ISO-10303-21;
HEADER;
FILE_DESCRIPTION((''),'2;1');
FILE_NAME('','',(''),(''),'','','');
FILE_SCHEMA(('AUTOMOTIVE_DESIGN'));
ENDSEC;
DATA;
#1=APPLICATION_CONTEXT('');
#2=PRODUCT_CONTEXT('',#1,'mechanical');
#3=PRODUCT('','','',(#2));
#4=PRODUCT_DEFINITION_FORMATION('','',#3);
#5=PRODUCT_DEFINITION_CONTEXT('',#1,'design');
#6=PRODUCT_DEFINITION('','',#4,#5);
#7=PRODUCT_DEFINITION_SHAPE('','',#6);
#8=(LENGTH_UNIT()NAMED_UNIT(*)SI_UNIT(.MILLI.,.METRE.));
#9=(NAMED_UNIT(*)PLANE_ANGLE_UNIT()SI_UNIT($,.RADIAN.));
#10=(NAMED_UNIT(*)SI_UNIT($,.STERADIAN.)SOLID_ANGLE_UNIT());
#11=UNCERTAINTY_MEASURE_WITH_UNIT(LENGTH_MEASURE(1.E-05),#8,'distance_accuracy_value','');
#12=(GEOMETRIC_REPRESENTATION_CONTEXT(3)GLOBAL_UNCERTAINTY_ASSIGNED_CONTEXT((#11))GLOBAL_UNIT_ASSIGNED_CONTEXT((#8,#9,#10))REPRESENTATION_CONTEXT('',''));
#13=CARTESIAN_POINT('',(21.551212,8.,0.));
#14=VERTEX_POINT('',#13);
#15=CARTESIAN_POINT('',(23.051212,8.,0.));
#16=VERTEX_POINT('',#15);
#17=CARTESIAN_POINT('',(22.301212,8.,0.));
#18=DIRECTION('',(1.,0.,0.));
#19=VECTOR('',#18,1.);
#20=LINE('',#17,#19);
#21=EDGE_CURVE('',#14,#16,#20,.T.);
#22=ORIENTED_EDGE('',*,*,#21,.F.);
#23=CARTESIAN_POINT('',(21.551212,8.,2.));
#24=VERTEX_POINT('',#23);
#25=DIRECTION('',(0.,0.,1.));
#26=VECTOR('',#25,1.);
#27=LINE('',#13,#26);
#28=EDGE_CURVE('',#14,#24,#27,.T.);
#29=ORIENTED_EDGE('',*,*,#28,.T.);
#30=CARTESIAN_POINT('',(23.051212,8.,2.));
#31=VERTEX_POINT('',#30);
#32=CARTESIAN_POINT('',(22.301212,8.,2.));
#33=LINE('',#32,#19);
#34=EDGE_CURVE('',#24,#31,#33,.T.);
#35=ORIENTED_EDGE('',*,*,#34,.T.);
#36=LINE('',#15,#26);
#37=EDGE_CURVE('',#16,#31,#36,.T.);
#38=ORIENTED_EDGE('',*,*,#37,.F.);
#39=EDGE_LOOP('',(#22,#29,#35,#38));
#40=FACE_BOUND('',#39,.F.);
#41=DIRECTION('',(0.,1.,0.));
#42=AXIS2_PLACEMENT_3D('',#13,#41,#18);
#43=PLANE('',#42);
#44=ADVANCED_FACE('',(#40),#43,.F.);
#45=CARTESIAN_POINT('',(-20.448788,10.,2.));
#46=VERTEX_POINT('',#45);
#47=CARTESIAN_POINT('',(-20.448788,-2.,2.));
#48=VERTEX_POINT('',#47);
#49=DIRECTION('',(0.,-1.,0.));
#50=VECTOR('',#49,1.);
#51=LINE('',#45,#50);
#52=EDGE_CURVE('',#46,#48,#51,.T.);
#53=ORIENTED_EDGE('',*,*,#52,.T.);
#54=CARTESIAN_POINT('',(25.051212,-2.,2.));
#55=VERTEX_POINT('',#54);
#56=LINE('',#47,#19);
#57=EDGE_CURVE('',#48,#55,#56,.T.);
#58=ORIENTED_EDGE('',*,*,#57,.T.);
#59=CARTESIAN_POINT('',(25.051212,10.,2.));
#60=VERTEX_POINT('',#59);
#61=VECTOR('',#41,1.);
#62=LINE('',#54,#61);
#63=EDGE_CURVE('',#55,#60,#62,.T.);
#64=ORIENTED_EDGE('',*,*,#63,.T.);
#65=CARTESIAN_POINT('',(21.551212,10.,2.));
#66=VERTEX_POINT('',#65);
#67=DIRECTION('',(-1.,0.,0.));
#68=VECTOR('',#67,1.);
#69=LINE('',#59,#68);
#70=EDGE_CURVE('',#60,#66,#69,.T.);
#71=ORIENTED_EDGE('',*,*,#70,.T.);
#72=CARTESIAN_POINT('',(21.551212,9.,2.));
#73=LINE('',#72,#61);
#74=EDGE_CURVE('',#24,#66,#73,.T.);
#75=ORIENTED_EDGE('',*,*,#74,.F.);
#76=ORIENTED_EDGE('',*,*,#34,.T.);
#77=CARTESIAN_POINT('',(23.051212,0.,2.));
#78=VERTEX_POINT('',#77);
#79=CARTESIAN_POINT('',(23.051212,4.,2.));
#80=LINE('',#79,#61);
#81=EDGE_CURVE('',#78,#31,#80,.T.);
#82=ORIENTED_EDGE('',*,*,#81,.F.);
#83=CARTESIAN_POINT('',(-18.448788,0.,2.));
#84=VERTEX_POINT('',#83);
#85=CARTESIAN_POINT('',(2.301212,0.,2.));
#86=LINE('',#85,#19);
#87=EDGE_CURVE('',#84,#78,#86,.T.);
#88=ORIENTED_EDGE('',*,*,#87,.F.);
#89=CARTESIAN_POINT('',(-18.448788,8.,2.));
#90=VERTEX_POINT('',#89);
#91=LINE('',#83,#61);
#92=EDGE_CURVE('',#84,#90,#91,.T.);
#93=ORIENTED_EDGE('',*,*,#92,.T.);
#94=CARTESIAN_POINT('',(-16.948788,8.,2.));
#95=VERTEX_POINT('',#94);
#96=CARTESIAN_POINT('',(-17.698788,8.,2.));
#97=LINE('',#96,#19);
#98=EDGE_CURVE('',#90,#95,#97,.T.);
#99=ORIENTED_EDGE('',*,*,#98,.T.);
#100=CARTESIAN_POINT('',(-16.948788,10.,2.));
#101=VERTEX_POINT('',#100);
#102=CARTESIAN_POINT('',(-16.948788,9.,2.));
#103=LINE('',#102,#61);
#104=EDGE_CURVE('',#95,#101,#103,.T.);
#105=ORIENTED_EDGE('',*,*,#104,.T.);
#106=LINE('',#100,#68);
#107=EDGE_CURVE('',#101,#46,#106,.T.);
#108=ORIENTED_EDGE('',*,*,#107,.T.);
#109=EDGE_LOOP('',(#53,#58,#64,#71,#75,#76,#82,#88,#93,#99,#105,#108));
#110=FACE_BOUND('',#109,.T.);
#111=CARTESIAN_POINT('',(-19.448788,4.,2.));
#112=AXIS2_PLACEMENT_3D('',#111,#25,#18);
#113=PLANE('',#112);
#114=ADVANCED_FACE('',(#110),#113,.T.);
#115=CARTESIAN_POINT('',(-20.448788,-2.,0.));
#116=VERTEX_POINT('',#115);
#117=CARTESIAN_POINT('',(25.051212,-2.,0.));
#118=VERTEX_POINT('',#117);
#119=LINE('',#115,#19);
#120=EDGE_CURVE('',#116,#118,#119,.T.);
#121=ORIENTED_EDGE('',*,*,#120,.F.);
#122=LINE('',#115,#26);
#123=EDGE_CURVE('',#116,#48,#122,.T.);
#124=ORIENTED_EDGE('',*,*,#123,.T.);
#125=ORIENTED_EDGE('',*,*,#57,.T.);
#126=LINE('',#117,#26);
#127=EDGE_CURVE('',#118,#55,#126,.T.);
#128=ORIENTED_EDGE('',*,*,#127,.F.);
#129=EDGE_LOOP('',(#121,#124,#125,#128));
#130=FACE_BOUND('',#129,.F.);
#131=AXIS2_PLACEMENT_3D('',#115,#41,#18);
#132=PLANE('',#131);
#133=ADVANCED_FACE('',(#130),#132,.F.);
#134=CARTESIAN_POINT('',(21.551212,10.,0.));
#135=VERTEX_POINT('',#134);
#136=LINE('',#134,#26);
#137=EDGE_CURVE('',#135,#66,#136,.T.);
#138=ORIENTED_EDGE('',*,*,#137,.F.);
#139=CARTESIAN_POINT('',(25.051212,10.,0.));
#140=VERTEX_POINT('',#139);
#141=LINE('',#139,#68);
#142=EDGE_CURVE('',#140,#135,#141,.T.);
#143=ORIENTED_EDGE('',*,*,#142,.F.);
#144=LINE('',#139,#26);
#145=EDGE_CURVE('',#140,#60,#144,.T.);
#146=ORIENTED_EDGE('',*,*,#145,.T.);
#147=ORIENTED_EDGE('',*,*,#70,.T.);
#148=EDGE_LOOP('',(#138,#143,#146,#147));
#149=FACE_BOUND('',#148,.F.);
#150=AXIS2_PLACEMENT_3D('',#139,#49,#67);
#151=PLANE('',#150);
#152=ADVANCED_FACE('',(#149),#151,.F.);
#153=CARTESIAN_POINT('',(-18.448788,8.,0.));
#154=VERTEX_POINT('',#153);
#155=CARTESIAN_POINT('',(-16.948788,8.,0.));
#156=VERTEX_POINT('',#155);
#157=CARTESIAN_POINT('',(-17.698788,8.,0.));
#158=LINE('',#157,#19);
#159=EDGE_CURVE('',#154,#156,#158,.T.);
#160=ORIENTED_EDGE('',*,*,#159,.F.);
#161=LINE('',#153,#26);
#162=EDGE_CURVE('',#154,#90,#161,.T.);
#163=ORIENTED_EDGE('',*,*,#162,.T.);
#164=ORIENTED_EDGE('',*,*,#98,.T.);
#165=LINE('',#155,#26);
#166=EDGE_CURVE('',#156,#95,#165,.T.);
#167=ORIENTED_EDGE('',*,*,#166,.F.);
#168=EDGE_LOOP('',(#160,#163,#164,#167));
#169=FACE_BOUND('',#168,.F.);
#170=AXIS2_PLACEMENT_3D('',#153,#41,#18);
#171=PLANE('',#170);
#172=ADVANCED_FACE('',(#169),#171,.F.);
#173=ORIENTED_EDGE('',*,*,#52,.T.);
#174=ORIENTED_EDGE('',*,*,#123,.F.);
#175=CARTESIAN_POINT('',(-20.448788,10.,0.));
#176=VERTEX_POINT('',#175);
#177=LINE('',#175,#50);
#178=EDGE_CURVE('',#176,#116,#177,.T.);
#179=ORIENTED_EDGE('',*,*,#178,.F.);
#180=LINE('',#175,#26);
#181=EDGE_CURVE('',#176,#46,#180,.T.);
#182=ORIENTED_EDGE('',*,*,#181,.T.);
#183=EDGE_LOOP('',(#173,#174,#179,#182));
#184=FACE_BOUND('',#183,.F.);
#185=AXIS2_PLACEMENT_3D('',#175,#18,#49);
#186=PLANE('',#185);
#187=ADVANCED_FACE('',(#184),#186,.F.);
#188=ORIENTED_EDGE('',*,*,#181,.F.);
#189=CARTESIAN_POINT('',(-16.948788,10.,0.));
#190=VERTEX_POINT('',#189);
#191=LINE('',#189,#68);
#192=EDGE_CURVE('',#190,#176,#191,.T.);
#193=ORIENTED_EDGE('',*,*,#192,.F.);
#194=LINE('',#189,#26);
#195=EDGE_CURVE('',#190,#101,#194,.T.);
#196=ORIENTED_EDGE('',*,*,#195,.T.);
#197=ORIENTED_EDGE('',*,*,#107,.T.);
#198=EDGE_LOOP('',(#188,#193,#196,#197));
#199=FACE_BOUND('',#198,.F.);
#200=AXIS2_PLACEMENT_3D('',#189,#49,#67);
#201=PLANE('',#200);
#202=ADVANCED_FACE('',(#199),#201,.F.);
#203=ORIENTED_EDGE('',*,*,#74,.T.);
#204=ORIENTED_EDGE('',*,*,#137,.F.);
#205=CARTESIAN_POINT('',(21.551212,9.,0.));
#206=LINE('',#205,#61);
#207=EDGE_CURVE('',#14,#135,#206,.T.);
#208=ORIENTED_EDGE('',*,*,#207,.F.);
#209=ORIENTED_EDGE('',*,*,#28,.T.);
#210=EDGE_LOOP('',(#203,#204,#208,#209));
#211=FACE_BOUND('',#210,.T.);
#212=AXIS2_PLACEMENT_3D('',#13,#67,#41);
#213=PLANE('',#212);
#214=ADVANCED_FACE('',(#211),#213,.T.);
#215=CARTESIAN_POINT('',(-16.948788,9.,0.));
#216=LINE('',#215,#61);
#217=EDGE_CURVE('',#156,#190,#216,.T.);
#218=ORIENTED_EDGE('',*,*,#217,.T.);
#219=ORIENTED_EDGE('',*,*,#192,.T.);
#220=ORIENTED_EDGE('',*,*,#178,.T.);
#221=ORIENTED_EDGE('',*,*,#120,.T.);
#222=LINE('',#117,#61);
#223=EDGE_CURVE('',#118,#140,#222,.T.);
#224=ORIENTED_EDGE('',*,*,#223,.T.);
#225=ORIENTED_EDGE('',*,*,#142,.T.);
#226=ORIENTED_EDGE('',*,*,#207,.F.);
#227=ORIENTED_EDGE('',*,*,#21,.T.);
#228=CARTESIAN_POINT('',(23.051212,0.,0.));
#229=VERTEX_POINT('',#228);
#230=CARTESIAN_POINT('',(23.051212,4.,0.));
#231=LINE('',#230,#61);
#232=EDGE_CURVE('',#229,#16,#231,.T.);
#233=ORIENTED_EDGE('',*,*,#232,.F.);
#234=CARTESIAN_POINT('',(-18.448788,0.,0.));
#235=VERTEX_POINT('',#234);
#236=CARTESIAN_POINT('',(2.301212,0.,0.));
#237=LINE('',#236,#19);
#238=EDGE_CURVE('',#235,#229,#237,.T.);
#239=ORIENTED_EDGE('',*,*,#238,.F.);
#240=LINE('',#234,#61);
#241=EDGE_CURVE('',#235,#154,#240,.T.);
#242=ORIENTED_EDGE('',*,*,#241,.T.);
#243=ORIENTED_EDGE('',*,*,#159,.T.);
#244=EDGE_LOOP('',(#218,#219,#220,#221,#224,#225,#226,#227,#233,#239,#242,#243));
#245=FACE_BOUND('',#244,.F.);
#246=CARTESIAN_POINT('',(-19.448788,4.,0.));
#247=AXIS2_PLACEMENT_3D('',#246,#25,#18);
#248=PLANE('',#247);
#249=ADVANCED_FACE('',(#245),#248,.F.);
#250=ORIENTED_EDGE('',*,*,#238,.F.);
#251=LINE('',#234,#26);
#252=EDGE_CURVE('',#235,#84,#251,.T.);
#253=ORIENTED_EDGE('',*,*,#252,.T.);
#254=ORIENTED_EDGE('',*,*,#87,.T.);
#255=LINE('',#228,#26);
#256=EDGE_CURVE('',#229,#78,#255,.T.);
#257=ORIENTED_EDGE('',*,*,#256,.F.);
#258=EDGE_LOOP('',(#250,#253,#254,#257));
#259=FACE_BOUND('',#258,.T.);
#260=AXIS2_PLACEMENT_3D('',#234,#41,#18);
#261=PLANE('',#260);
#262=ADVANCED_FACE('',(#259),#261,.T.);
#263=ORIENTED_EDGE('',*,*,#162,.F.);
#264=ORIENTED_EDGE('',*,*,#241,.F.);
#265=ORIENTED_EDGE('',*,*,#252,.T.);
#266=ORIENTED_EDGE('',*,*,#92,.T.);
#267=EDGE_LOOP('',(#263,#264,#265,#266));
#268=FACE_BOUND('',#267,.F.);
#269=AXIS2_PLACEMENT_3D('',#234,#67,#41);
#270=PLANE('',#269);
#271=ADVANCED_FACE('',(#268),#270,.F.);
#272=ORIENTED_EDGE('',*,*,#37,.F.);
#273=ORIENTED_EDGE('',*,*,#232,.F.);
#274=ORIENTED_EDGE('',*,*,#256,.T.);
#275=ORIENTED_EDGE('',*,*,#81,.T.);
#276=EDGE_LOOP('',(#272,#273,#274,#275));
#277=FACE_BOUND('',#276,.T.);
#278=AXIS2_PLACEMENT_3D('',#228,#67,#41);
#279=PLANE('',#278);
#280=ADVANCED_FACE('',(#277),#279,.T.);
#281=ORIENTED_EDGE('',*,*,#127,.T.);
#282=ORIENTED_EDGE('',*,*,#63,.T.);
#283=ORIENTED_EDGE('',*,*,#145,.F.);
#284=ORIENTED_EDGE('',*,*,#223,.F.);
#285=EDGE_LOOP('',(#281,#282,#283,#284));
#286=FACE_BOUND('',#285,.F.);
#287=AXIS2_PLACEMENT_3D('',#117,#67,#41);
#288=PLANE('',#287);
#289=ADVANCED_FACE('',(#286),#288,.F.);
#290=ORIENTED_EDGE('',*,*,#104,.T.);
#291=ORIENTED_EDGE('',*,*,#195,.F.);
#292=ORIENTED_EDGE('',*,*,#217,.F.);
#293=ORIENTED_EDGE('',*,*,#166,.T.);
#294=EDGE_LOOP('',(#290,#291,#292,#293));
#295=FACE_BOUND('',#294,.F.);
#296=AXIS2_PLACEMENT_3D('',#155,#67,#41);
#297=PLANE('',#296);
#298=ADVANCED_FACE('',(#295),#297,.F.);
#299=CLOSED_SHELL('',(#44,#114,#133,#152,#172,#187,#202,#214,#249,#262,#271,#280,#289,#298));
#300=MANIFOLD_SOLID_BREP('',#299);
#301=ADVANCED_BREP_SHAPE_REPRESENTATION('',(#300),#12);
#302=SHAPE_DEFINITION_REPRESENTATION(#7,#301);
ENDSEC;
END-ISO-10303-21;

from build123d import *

# Parameters (mm, degrees)
F0_W     = 2
F0_H     = 8
F0_H_2   = 2
F0_W_2   = 41.5
F0_W_3   = 1.5
F1_DEPTH = 2


with BuildPart() as f1:
    # F0 (on Top) → F1 (new body)
    with BuildSketch(Plane.XY):
        with Locations((-19.448788, 4)):
            Rectangle(F0_W, F0_H)
        with Locations((-19.448788, -1)):
            Rectangle(F0_W, F0_H_2)
        with Locations((2.301212, -1)):
            Rectangle(F0_W_2, F0_H_2)
        with Locations((-19.448788, 9)):
            Rectangle(F0_W, F0_H_2)
        with Locations((24.051212, 4)):
            Rectangle(F0_W, F0_H)
        with Locations((24.051212, -1)):
            Rectangle(F0_W, F0_H_2)
        with Locations((-17.698788, 9)):
            Rectangle(F0_W_3, F0_H_2)
        with Locations((22.301212, 9)):
            Rectangle(F0_W_3, F0_H_2)
        with Locations((24.051212, 9)):
            Rectangle(F0_W, F0_H_2)
    extrude(amount=F1_DEPTH)


solid = f1.part
